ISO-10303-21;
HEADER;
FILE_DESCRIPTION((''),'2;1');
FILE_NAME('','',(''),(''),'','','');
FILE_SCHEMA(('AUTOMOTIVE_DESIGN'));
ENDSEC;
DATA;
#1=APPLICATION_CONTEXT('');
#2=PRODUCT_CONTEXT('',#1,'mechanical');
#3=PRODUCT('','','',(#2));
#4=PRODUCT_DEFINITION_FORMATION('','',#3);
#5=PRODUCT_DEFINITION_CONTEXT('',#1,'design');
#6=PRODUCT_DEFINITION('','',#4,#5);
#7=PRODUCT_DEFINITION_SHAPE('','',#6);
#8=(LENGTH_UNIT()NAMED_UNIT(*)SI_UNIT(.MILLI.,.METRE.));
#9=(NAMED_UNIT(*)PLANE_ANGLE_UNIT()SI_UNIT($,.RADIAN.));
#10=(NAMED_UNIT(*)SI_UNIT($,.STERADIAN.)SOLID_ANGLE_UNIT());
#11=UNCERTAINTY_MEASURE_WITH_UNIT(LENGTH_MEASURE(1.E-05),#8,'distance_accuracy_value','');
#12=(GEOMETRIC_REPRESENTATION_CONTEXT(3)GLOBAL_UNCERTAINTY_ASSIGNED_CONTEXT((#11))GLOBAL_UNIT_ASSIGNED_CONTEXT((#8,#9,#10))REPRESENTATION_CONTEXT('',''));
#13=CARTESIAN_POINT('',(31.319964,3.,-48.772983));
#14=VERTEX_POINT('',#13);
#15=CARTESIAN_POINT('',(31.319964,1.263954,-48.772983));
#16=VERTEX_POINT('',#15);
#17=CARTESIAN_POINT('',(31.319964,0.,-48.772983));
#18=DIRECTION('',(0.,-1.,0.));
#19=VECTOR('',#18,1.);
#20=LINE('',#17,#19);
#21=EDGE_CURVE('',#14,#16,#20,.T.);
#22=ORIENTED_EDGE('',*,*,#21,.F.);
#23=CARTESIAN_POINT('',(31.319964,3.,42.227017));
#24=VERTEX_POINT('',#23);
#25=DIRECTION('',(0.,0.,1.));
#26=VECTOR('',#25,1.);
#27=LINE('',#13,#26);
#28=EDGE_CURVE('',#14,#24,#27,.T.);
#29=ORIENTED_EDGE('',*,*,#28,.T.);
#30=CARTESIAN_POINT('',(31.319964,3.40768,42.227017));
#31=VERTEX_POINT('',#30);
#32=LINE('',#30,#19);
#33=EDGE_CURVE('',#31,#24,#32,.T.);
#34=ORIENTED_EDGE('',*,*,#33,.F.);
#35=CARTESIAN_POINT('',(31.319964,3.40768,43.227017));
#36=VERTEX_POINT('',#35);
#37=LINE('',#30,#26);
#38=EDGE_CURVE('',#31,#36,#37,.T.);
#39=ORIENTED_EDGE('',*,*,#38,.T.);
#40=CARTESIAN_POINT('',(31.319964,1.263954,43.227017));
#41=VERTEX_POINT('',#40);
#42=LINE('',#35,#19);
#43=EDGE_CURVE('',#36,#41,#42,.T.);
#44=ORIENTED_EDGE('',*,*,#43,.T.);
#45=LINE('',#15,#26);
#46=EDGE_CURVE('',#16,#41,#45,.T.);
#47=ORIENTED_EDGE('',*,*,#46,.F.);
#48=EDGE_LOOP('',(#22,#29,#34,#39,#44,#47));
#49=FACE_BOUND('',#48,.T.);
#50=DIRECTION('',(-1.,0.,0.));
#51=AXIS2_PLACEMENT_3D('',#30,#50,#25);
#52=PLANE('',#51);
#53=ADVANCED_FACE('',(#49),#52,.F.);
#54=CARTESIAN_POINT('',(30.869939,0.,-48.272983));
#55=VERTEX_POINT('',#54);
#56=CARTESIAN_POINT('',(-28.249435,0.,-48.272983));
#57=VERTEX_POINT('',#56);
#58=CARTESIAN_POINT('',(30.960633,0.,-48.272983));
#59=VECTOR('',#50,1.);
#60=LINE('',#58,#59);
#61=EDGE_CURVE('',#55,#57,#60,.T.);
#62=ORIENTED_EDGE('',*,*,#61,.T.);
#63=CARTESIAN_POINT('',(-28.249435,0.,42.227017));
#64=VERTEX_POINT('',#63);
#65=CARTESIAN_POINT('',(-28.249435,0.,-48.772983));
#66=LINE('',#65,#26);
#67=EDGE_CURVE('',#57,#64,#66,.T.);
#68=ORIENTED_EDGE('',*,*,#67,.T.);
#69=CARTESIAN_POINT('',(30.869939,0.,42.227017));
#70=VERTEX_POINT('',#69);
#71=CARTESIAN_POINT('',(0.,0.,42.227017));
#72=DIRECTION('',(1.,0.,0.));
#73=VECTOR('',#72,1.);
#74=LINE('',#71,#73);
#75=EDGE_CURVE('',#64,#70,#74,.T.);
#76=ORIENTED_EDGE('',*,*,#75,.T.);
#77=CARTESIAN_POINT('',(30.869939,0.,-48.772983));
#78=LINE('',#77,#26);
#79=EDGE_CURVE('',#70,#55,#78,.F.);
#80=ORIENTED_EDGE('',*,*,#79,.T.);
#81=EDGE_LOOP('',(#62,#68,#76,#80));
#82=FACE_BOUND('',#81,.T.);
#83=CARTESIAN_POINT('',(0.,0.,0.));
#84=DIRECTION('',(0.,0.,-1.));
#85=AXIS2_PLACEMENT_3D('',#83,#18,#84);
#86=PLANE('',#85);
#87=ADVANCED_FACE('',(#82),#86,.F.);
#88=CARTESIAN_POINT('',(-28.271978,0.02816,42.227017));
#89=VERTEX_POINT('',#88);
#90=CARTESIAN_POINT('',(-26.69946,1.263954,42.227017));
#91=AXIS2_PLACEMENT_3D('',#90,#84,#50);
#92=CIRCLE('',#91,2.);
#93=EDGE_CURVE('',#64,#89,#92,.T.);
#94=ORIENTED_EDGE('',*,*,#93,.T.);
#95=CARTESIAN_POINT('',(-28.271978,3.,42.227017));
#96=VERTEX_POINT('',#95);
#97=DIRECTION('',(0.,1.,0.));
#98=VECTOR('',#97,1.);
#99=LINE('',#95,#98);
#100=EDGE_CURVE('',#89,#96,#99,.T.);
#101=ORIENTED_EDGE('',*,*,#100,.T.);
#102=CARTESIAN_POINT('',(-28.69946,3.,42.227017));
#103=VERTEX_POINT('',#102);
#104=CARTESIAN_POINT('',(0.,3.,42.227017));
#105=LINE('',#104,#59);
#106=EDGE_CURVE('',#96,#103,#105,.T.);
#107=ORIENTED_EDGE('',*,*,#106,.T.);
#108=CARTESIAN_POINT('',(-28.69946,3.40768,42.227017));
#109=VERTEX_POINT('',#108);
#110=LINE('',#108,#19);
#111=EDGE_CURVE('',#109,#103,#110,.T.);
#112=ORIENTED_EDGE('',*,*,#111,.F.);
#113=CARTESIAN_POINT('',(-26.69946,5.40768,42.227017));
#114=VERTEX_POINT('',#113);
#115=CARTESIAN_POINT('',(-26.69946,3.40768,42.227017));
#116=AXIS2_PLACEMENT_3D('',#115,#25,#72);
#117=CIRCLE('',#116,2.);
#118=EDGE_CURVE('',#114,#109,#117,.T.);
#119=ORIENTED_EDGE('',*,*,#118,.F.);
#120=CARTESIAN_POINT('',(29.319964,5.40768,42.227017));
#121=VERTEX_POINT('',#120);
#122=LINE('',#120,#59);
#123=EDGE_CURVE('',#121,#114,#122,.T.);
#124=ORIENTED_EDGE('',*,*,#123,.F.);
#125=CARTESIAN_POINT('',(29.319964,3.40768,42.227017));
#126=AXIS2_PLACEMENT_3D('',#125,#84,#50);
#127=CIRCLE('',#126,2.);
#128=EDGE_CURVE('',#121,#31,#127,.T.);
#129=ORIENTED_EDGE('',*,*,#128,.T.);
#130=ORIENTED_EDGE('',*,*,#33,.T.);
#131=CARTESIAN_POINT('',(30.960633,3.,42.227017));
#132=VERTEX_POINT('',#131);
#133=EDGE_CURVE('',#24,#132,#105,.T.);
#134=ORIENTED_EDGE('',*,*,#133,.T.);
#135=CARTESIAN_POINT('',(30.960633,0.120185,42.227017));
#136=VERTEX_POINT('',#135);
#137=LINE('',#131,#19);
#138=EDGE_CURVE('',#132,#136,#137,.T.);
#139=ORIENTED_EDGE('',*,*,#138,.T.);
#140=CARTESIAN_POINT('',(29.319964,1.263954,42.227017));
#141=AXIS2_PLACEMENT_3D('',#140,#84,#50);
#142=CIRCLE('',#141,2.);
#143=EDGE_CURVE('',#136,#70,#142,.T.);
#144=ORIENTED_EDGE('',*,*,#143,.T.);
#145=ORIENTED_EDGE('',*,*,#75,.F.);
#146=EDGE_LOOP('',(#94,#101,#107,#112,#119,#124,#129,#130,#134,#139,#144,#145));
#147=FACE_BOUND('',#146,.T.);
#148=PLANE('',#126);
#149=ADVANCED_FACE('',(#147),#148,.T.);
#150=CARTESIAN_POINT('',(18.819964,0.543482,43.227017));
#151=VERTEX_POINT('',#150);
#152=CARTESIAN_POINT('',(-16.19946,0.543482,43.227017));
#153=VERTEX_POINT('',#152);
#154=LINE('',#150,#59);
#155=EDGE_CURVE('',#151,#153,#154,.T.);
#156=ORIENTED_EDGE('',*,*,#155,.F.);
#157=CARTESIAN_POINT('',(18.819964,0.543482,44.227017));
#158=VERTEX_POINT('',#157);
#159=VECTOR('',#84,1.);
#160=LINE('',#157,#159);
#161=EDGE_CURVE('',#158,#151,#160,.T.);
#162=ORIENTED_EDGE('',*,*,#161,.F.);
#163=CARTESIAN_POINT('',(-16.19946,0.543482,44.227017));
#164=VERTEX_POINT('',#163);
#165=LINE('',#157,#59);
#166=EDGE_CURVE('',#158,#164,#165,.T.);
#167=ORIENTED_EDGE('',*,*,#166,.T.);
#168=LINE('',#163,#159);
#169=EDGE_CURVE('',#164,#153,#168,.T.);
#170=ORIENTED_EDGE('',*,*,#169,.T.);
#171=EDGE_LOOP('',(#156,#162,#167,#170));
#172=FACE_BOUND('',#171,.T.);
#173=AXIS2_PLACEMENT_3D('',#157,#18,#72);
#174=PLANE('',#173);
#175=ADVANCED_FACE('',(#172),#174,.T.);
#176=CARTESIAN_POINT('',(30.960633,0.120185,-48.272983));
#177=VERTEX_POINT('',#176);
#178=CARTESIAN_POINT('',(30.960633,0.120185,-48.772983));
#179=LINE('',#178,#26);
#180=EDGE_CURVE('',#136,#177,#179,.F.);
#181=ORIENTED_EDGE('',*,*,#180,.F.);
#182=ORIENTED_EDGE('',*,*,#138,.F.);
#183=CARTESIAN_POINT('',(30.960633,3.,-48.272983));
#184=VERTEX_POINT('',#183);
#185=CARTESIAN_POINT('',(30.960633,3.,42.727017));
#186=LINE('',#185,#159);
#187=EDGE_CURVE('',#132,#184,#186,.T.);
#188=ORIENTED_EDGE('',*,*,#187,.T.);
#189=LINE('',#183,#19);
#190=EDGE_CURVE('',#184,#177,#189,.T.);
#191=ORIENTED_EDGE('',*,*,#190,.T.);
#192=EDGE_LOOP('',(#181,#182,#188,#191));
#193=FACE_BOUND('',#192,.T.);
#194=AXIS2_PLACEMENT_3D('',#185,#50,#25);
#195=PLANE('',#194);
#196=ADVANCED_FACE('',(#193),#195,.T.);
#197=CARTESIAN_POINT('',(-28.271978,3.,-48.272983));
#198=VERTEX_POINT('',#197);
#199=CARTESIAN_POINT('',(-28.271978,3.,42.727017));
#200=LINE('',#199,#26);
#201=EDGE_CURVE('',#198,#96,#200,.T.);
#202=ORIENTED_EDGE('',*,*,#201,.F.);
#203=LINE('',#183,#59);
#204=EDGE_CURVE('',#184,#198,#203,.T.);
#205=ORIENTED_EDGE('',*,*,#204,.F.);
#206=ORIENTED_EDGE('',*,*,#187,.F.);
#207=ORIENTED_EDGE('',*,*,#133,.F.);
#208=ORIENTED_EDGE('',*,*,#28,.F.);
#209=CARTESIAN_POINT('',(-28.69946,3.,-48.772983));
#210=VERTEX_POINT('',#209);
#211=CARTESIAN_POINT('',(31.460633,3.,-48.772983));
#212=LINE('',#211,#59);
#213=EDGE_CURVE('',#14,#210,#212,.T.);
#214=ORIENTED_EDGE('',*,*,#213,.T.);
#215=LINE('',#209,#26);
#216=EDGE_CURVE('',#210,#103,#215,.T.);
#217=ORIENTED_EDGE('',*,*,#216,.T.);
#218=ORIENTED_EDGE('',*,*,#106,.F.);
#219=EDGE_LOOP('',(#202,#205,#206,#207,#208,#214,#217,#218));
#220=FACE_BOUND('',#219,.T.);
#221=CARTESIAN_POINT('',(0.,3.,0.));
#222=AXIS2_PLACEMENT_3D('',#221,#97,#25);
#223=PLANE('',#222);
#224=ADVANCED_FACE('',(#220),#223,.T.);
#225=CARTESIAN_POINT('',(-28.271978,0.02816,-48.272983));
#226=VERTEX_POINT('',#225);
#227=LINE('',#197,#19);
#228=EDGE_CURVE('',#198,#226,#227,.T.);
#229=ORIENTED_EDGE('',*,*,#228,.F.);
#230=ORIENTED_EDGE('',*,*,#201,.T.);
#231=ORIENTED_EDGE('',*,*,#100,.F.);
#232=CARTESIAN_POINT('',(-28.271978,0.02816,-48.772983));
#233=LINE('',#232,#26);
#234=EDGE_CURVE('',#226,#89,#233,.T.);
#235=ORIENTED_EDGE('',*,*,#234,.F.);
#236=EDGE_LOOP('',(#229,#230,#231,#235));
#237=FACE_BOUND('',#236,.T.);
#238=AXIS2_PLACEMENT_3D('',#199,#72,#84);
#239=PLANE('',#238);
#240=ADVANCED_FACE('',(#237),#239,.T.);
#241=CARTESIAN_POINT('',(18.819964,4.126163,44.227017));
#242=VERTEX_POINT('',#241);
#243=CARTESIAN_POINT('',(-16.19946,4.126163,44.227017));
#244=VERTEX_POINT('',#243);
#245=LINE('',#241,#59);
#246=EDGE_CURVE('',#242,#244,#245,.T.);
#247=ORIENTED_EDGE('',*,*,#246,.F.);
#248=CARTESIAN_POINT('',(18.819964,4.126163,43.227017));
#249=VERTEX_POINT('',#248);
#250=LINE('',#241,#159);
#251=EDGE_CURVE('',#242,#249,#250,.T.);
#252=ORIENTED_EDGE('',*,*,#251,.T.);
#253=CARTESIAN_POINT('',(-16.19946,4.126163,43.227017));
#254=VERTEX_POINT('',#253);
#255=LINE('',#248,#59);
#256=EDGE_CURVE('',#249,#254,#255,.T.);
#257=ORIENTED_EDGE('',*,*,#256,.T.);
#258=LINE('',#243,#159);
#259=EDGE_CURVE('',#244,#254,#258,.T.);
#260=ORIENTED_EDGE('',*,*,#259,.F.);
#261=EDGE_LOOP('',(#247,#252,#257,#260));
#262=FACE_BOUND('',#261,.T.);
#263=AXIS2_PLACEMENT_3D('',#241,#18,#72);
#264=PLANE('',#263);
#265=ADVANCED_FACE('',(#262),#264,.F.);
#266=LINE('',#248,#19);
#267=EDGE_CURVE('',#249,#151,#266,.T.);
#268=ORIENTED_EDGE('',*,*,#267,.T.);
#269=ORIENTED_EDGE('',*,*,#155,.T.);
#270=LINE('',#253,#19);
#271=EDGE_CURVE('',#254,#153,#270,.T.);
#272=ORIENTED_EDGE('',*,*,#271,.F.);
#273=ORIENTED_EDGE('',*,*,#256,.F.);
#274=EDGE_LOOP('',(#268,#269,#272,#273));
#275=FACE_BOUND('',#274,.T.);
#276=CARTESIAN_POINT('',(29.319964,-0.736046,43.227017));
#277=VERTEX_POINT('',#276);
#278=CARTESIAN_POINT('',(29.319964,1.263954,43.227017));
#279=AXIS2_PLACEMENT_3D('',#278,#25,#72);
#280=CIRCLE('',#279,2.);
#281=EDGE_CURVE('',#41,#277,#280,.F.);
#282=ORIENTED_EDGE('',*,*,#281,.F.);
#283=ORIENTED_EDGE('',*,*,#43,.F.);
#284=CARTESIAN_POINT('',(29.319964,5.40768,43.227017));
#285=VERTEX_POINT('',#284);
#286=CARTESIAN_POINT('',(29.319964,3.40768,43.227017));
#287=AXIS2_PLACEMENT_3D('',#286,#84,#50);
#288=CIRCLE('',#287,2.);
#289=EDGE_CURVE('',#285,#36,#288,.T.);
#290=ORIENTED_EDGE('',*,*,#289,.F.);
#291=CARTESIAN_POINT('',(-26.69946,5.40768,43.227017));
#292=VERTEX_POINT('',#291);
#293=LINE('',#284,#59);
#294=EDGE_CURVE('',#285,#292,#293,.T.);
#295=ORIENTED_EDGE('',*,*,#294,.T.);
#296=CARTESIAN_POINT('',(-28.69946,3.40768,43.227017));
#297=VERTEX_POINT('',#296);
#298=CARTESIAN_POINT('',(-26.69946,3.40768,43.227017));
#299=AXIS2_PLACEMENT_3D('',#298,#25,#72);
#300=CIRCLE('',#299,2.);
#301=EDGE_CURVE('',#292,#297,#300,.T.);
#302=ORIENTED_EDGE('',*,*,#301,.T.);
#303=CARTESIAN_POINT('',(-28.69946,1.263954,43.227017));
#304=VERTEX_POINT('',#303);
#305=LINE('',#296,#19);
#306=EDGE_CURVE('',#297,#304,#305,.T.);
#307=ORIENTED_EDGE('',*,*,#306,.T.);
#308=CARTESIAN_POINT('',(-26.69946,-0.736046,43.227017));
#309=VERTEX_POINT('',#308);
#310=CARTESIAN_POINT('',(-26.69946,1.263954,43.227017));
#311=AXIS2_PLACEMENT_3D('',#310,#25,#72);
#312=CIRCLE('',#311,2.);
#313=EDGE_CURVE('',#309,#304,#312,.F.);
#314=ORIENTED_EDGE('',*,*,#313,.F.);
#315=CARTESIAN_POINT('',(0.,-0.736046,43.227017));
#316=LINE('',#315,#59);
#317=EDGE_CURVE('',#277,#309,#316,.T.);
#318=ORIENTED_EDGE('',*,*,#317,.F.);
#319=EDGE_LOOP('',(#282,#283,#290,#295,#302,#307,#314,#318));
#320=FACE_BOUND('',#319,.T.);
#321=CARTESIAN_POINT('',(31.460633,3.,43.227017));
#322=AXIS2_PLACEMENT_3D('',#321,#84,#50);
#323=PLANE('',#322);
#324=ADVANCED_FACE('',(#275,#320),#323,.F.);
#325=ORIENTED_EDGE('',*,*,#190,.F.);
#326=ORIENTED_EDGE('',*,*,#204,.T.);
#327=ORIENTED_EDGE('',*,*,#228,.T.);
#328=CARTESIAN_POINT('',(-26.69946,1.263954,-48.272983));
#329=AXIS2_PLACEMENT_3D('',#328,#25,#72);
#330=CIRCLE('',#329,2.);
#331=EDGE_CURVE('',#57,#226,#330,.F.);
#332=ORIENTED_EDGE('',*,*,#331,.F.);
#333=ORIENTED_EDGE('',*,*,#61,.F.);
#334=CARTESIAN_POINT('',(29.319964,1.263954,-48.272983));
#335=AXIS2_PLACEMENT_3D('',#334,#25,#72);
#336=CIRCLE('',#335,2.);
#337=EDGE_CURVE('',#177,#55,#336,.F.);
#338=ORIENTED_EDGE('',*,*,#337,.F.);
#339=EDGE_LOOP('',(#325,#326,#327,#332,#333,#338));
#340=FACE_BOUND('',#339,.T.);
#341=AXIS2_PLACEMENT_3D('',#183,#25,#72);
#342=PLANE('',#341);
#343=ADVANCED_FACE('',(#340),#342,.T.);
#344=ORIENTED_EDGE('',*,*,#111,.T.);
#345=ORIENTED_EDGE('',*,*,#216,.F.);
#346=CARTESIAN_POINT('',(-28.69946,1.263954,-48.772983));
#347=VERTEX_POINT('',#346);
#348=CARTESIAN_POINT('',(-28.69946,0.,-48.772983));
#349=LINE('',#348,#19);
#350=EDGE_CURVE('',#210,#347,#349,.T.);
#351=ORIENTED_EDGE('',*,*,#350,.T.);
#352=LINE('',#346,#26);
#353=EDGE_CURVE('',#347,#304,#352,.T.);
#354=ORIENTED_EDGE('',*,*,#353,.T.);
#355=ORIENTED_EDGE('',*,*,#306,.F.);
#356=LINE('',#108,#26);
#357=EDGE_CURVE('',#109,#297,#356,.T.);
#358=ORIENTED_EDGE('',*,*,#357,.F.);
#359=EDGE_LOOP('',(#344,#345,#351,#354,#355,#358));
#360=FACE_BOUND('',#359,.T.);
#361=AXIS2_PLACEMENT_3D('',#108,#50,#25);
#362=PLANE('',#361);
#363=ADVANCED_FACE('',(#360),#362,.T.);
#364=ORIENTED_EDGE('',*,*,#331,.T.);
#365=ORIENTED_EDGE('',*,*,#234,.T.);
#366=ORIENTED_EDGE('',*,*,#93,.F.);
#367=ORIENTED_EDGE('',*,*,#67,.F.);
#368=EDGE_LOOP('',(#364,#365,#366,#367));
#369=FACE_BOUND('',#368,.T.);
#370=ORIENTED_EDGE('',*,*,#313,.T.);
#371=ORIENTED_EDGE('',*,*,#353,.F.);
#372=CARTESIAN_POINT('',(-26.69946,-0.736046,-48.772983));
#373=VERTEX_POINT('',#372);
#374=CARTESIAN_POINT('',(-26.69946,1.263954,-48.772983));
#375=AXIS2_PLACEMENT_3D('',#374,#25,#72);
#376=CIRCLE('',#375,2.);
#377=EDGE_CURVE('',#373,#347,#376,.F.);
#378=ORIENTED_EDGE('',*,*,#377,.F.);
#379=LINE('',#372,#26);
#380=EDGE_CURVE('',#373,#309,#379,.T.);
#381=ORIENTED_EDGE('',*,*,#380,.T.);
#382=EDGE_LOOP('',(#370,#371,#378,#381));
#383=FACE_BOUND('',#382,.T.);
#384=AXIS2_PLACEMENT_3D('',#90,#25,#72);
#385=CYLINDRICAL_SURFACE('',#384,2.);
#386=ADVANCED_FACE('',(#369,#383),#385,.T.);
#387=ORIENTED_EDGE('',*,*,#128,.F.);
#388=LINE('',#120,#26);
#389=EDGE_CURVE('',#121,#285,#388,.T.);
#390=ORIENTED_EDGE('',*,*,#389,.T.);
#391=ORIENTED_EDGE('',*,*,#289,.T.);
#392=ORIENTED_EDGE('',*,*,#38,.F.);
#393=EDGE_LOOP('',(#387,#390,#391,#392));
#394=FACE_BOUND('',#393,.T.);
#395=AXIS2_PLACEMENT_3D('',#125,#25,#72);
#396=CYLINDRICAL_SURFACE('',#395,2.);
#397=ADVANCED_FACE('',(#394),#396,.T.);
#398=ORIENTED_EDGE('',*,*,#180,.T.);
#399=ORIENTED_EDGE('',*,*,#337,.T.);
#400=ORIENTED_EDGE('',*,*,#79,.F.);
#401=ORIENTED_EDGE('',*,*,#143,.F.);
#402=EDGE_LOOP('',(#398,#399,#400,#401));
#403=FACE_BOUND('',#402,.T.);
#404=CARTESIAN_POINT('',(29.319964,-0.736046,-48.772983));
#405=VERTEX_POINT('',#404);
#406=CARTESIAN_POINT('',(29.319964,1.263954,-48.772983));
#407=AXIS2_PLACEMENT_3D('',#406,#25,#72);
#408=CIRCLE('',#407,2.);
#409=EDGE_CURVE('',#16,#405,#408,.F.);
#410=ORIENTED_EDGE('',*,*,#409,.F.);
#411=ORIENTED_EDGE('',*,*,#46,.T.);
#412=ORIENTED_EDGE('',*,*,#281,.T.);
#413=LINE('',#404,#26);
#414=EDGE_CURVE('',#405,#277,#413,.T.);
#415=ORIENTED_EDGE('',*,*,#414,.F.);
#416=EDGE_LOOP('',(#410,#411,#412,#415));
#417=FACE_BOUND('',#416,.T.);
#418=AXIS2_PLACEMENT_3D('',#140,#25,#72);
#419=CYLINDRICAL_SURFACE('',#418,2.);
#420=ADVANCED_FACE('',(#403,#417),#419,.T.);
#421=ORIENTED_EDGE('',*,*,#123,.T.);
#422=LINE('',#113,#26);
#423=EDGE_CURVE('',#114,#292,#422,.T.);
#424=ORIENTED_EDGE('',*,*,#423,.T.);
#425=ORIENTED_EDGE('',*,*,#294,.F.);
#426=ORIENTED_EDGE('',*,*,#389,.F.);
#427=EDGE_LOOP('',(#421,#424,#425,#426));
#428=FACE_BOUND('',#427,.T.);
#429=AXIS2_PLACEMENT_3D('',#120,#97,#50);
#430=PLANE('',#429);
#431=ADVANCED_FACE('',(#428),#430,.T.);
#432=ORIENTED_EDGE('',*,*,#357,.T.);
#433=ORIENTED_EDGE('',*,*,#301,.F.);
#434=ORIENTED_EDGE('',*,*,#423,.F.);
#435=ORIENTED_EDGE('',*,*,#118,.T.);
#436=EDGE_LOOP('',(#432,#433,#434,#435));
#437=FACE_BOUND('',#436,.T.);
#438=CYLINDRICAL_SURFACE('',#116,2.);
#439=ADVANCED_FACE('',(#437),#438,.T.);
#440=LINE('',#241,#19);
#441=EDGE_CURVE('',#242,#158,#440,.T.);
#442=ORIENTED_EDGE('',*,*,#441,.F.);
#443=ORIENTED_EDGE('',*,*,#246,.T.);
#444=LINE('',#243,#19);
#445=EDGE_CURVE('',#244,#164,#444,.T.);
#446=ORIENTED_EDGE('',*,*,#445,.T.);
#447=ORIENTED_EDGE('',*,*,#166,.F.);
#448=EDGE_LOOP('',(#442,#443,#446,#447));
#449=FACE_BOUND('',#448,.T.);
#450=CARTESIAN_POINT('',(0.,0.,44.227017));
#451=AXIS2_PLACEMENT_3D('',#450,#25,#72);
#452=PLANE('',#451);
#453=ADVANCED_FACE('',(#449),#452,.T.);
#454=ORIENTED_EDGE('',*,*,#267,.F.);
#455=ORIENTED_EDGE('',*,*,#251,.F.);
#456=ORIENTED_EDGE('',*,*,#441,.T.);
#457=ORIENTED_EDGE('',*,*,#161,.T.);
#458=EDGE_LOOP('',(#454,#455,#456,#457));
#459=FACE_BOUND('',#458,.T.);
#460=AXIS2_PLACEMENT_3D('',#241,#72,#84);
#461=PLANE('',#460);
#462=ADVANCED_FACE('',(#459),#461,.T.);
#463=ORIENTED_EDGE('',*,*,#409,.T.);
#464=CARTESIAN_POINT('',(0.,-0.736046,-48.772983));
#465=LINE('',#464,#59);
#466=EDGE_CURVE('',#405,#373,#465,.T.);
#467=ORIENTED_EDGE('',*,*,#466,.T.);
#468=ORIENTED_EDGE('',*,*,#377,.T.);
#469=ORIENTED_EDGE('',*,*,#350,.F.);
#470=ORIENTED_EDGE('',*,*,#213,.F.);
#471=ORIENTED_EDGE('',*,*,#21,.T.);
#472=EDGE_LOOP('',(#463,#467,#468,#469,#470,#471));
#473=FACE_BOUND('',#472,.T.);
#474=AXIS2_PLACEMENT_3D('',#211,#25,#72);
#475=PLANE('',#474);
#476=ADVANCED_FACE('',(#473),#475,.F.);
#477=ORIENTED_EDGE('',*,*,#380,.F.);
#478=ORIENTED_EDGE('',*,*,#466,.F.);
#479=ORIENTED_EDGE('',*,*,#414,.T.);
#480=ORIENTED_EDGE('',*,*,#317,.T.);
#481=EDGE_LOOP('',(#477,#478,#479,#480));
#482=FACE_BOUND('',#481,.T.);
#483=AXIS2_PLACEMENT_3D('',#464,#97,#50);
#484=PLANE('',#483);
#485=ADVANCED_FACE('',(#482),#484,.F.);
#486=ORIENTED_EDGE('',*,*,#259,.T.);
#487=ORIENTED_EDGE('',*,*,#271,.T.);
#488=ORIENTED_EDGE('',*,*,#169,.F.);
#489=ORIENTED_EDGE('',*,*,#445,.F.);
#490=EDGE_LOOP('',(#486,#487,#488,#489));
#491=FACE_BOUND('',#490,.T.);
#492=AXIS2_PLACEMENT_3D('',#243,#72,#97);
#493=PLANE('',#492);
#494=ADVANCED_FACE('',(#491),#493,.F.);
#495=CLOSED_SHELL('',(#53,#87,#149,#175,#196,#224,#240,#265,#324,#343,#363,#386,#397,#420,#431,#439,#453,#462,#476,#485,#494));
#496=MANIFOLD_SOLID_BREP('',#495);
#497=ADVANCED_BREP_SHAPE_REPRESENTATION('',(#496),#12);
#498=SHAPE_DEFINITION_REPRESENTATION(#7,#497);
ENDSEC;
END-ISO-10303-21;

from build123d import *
from build123d.topology import SkipClean

# Parameters (mm, degrees)
SKETCH2_W           = 60.23261123
SKETCH2_H           = 92
SKETCH2_W_2         = 59.23261123
SKETCH2_H_2         = 91
BOSS_EXTRUDE1_DEPTH = 3
SKETCH2_2_W         = 60.23261123
SKETCH2_2_H         = 92
BOSS_EXTRUDE2_DEPTH = 1
SKETCH3_W           = 35.019424251
SKETCH3_H           = 3.582680393
BOSS_EXTRUDE3_DEPTH = 1
BOSS_EXTRUDE5_DEPTH = 1
CUT_EXTRUDE2_DEPTH  = 98.380770332


with BuildPart() as part:
    # Sketch2 → Boss-Extrude1 (new body)
    with BuildSketch(Plane(origin=(0, 0, 0), x_dir=(1, 0, 0), z_dir=(0, 1, 0))):
        with Locations((1.344327409, 2.772982692)):
            Rectangle(SKETCH2_W, SKETCH2_H)
        with Locations((1.344327409, 2.772982692)):
            Rectangle(SKETCH2_W_2, SKETCH2_H_2, mode=Mode.SUBTRACT)
    extrude(amount=BOSS_EXTRUDE1_DEPTH)

    # Sketch2<2> → Boss-Extrude2 (add)
    with BuildSketch(Plane(origin=(0, 0, 0), x_dir=(1, 0, 0), z_dir=(0, 1, 0))):
        with Locations((1.344327409, 2.772982692)):
            Rectangle(SKETCH2_2_W, SKETCH2_2_H)
    extrude(amount=-BOSS_EXTRUDE2_DEPTH)

    # Sketch3 → Boss-Extrude3 (add)
    with BuildSketch(Plane.XY.offset(43.227017308)):
        with Locations((1.310252146, 2.334822514)):
            Rectangle(SKETCH3_W, SKETCH3_H)
    extrude(amount=BOSS_EXTRUDE3_DEPTH)

    # Sketch3<5> → Boss-Extrude5 (add)
    with BuildSketch(Plane.XY.offset(43.227017308)):
        with BuildLine():
            Line((29.319964272, 5.407679734), (-26.699459979, 5.407679734))
            ThreePointArc((-26.699459979, 5.407679734), (-28.113673542, 4.821893296), (-28.699459979, 3.407679734))
            Line((-28.699459979, 3.407679734), (-28.699459979, 1.263953606))
            ThreePointArc((-28.699459979, 1.263953606), (-28.113673542, -0.150259957), (-26.699459979, -0.736046394))
            Line((-26.699459979, -0.736046394), (29.319964272, -0.736046394))
            ThreePointArc((29.319964272, -0.736046394), (30.734177835, -0.150259957), (31.319964272, 1.263953606))
            Line((31.319964272, 1.263953606), (31.319964272, 3.407679734))
            ThreePointArc((31.319964272, 3.407679734), (30.734177835, 4.821893296), (29.319964272, 5.407679734))
        make_face()
    extrude(amount=-BOSS_EXTRUDE5_DEPTH)

    # Sketch3<6> → Cut-Extrude2 (cut, through all)
    with SkipClean():  # the faces are left unmerged after this step: merging them gives an invalid solid
        with BuildSketch(Plane.XY.offset(43.227017308)):
            with BuildLine():
                Line((31.460633024, 3), (31.319964272, 3))
                Line((31.319964272, 3), (31.319964272, 1.263953606))
                ThreePointArc((31.319964272, 1.263953606), (30.967290445, 0.129794675), (30.033647793, -0.604376085))
                ThreePointArc((30.033647793, -0.604376085), (29.682828309, -0.702853373), (29.319964272, -0.736046394))
                Line((29.319964272, -0.736046394), (-26.699459979, -0.736046394))
                ThreePointArc((-26.699459979, -0.736046394), (-27.062324016, -0.702853373), (-27.4131435, -0.604376085))
                ThreePointArc((-27.4131435, -0.604376085), (-28.346786152, 0.129794675), (-28.699459979, 1.263953606))
                Line((-28.699459979, 1.263953606), (-28.699459979, 3))
                Line((-28.699459979, 3), (-28.771978206, 3))
                Line((-28.771978206, 3), (-28.771978206, -1))
                Line((-28.771978206, -1), (31.460633024, -1))
                Line((31.460633024, -1), (31.460633024, 3))
            make_face()
        extrude(amount=-CUT_EXTRUDE2_DEPTH, mode=Mode.SUBTRACT)


solid = part.part
